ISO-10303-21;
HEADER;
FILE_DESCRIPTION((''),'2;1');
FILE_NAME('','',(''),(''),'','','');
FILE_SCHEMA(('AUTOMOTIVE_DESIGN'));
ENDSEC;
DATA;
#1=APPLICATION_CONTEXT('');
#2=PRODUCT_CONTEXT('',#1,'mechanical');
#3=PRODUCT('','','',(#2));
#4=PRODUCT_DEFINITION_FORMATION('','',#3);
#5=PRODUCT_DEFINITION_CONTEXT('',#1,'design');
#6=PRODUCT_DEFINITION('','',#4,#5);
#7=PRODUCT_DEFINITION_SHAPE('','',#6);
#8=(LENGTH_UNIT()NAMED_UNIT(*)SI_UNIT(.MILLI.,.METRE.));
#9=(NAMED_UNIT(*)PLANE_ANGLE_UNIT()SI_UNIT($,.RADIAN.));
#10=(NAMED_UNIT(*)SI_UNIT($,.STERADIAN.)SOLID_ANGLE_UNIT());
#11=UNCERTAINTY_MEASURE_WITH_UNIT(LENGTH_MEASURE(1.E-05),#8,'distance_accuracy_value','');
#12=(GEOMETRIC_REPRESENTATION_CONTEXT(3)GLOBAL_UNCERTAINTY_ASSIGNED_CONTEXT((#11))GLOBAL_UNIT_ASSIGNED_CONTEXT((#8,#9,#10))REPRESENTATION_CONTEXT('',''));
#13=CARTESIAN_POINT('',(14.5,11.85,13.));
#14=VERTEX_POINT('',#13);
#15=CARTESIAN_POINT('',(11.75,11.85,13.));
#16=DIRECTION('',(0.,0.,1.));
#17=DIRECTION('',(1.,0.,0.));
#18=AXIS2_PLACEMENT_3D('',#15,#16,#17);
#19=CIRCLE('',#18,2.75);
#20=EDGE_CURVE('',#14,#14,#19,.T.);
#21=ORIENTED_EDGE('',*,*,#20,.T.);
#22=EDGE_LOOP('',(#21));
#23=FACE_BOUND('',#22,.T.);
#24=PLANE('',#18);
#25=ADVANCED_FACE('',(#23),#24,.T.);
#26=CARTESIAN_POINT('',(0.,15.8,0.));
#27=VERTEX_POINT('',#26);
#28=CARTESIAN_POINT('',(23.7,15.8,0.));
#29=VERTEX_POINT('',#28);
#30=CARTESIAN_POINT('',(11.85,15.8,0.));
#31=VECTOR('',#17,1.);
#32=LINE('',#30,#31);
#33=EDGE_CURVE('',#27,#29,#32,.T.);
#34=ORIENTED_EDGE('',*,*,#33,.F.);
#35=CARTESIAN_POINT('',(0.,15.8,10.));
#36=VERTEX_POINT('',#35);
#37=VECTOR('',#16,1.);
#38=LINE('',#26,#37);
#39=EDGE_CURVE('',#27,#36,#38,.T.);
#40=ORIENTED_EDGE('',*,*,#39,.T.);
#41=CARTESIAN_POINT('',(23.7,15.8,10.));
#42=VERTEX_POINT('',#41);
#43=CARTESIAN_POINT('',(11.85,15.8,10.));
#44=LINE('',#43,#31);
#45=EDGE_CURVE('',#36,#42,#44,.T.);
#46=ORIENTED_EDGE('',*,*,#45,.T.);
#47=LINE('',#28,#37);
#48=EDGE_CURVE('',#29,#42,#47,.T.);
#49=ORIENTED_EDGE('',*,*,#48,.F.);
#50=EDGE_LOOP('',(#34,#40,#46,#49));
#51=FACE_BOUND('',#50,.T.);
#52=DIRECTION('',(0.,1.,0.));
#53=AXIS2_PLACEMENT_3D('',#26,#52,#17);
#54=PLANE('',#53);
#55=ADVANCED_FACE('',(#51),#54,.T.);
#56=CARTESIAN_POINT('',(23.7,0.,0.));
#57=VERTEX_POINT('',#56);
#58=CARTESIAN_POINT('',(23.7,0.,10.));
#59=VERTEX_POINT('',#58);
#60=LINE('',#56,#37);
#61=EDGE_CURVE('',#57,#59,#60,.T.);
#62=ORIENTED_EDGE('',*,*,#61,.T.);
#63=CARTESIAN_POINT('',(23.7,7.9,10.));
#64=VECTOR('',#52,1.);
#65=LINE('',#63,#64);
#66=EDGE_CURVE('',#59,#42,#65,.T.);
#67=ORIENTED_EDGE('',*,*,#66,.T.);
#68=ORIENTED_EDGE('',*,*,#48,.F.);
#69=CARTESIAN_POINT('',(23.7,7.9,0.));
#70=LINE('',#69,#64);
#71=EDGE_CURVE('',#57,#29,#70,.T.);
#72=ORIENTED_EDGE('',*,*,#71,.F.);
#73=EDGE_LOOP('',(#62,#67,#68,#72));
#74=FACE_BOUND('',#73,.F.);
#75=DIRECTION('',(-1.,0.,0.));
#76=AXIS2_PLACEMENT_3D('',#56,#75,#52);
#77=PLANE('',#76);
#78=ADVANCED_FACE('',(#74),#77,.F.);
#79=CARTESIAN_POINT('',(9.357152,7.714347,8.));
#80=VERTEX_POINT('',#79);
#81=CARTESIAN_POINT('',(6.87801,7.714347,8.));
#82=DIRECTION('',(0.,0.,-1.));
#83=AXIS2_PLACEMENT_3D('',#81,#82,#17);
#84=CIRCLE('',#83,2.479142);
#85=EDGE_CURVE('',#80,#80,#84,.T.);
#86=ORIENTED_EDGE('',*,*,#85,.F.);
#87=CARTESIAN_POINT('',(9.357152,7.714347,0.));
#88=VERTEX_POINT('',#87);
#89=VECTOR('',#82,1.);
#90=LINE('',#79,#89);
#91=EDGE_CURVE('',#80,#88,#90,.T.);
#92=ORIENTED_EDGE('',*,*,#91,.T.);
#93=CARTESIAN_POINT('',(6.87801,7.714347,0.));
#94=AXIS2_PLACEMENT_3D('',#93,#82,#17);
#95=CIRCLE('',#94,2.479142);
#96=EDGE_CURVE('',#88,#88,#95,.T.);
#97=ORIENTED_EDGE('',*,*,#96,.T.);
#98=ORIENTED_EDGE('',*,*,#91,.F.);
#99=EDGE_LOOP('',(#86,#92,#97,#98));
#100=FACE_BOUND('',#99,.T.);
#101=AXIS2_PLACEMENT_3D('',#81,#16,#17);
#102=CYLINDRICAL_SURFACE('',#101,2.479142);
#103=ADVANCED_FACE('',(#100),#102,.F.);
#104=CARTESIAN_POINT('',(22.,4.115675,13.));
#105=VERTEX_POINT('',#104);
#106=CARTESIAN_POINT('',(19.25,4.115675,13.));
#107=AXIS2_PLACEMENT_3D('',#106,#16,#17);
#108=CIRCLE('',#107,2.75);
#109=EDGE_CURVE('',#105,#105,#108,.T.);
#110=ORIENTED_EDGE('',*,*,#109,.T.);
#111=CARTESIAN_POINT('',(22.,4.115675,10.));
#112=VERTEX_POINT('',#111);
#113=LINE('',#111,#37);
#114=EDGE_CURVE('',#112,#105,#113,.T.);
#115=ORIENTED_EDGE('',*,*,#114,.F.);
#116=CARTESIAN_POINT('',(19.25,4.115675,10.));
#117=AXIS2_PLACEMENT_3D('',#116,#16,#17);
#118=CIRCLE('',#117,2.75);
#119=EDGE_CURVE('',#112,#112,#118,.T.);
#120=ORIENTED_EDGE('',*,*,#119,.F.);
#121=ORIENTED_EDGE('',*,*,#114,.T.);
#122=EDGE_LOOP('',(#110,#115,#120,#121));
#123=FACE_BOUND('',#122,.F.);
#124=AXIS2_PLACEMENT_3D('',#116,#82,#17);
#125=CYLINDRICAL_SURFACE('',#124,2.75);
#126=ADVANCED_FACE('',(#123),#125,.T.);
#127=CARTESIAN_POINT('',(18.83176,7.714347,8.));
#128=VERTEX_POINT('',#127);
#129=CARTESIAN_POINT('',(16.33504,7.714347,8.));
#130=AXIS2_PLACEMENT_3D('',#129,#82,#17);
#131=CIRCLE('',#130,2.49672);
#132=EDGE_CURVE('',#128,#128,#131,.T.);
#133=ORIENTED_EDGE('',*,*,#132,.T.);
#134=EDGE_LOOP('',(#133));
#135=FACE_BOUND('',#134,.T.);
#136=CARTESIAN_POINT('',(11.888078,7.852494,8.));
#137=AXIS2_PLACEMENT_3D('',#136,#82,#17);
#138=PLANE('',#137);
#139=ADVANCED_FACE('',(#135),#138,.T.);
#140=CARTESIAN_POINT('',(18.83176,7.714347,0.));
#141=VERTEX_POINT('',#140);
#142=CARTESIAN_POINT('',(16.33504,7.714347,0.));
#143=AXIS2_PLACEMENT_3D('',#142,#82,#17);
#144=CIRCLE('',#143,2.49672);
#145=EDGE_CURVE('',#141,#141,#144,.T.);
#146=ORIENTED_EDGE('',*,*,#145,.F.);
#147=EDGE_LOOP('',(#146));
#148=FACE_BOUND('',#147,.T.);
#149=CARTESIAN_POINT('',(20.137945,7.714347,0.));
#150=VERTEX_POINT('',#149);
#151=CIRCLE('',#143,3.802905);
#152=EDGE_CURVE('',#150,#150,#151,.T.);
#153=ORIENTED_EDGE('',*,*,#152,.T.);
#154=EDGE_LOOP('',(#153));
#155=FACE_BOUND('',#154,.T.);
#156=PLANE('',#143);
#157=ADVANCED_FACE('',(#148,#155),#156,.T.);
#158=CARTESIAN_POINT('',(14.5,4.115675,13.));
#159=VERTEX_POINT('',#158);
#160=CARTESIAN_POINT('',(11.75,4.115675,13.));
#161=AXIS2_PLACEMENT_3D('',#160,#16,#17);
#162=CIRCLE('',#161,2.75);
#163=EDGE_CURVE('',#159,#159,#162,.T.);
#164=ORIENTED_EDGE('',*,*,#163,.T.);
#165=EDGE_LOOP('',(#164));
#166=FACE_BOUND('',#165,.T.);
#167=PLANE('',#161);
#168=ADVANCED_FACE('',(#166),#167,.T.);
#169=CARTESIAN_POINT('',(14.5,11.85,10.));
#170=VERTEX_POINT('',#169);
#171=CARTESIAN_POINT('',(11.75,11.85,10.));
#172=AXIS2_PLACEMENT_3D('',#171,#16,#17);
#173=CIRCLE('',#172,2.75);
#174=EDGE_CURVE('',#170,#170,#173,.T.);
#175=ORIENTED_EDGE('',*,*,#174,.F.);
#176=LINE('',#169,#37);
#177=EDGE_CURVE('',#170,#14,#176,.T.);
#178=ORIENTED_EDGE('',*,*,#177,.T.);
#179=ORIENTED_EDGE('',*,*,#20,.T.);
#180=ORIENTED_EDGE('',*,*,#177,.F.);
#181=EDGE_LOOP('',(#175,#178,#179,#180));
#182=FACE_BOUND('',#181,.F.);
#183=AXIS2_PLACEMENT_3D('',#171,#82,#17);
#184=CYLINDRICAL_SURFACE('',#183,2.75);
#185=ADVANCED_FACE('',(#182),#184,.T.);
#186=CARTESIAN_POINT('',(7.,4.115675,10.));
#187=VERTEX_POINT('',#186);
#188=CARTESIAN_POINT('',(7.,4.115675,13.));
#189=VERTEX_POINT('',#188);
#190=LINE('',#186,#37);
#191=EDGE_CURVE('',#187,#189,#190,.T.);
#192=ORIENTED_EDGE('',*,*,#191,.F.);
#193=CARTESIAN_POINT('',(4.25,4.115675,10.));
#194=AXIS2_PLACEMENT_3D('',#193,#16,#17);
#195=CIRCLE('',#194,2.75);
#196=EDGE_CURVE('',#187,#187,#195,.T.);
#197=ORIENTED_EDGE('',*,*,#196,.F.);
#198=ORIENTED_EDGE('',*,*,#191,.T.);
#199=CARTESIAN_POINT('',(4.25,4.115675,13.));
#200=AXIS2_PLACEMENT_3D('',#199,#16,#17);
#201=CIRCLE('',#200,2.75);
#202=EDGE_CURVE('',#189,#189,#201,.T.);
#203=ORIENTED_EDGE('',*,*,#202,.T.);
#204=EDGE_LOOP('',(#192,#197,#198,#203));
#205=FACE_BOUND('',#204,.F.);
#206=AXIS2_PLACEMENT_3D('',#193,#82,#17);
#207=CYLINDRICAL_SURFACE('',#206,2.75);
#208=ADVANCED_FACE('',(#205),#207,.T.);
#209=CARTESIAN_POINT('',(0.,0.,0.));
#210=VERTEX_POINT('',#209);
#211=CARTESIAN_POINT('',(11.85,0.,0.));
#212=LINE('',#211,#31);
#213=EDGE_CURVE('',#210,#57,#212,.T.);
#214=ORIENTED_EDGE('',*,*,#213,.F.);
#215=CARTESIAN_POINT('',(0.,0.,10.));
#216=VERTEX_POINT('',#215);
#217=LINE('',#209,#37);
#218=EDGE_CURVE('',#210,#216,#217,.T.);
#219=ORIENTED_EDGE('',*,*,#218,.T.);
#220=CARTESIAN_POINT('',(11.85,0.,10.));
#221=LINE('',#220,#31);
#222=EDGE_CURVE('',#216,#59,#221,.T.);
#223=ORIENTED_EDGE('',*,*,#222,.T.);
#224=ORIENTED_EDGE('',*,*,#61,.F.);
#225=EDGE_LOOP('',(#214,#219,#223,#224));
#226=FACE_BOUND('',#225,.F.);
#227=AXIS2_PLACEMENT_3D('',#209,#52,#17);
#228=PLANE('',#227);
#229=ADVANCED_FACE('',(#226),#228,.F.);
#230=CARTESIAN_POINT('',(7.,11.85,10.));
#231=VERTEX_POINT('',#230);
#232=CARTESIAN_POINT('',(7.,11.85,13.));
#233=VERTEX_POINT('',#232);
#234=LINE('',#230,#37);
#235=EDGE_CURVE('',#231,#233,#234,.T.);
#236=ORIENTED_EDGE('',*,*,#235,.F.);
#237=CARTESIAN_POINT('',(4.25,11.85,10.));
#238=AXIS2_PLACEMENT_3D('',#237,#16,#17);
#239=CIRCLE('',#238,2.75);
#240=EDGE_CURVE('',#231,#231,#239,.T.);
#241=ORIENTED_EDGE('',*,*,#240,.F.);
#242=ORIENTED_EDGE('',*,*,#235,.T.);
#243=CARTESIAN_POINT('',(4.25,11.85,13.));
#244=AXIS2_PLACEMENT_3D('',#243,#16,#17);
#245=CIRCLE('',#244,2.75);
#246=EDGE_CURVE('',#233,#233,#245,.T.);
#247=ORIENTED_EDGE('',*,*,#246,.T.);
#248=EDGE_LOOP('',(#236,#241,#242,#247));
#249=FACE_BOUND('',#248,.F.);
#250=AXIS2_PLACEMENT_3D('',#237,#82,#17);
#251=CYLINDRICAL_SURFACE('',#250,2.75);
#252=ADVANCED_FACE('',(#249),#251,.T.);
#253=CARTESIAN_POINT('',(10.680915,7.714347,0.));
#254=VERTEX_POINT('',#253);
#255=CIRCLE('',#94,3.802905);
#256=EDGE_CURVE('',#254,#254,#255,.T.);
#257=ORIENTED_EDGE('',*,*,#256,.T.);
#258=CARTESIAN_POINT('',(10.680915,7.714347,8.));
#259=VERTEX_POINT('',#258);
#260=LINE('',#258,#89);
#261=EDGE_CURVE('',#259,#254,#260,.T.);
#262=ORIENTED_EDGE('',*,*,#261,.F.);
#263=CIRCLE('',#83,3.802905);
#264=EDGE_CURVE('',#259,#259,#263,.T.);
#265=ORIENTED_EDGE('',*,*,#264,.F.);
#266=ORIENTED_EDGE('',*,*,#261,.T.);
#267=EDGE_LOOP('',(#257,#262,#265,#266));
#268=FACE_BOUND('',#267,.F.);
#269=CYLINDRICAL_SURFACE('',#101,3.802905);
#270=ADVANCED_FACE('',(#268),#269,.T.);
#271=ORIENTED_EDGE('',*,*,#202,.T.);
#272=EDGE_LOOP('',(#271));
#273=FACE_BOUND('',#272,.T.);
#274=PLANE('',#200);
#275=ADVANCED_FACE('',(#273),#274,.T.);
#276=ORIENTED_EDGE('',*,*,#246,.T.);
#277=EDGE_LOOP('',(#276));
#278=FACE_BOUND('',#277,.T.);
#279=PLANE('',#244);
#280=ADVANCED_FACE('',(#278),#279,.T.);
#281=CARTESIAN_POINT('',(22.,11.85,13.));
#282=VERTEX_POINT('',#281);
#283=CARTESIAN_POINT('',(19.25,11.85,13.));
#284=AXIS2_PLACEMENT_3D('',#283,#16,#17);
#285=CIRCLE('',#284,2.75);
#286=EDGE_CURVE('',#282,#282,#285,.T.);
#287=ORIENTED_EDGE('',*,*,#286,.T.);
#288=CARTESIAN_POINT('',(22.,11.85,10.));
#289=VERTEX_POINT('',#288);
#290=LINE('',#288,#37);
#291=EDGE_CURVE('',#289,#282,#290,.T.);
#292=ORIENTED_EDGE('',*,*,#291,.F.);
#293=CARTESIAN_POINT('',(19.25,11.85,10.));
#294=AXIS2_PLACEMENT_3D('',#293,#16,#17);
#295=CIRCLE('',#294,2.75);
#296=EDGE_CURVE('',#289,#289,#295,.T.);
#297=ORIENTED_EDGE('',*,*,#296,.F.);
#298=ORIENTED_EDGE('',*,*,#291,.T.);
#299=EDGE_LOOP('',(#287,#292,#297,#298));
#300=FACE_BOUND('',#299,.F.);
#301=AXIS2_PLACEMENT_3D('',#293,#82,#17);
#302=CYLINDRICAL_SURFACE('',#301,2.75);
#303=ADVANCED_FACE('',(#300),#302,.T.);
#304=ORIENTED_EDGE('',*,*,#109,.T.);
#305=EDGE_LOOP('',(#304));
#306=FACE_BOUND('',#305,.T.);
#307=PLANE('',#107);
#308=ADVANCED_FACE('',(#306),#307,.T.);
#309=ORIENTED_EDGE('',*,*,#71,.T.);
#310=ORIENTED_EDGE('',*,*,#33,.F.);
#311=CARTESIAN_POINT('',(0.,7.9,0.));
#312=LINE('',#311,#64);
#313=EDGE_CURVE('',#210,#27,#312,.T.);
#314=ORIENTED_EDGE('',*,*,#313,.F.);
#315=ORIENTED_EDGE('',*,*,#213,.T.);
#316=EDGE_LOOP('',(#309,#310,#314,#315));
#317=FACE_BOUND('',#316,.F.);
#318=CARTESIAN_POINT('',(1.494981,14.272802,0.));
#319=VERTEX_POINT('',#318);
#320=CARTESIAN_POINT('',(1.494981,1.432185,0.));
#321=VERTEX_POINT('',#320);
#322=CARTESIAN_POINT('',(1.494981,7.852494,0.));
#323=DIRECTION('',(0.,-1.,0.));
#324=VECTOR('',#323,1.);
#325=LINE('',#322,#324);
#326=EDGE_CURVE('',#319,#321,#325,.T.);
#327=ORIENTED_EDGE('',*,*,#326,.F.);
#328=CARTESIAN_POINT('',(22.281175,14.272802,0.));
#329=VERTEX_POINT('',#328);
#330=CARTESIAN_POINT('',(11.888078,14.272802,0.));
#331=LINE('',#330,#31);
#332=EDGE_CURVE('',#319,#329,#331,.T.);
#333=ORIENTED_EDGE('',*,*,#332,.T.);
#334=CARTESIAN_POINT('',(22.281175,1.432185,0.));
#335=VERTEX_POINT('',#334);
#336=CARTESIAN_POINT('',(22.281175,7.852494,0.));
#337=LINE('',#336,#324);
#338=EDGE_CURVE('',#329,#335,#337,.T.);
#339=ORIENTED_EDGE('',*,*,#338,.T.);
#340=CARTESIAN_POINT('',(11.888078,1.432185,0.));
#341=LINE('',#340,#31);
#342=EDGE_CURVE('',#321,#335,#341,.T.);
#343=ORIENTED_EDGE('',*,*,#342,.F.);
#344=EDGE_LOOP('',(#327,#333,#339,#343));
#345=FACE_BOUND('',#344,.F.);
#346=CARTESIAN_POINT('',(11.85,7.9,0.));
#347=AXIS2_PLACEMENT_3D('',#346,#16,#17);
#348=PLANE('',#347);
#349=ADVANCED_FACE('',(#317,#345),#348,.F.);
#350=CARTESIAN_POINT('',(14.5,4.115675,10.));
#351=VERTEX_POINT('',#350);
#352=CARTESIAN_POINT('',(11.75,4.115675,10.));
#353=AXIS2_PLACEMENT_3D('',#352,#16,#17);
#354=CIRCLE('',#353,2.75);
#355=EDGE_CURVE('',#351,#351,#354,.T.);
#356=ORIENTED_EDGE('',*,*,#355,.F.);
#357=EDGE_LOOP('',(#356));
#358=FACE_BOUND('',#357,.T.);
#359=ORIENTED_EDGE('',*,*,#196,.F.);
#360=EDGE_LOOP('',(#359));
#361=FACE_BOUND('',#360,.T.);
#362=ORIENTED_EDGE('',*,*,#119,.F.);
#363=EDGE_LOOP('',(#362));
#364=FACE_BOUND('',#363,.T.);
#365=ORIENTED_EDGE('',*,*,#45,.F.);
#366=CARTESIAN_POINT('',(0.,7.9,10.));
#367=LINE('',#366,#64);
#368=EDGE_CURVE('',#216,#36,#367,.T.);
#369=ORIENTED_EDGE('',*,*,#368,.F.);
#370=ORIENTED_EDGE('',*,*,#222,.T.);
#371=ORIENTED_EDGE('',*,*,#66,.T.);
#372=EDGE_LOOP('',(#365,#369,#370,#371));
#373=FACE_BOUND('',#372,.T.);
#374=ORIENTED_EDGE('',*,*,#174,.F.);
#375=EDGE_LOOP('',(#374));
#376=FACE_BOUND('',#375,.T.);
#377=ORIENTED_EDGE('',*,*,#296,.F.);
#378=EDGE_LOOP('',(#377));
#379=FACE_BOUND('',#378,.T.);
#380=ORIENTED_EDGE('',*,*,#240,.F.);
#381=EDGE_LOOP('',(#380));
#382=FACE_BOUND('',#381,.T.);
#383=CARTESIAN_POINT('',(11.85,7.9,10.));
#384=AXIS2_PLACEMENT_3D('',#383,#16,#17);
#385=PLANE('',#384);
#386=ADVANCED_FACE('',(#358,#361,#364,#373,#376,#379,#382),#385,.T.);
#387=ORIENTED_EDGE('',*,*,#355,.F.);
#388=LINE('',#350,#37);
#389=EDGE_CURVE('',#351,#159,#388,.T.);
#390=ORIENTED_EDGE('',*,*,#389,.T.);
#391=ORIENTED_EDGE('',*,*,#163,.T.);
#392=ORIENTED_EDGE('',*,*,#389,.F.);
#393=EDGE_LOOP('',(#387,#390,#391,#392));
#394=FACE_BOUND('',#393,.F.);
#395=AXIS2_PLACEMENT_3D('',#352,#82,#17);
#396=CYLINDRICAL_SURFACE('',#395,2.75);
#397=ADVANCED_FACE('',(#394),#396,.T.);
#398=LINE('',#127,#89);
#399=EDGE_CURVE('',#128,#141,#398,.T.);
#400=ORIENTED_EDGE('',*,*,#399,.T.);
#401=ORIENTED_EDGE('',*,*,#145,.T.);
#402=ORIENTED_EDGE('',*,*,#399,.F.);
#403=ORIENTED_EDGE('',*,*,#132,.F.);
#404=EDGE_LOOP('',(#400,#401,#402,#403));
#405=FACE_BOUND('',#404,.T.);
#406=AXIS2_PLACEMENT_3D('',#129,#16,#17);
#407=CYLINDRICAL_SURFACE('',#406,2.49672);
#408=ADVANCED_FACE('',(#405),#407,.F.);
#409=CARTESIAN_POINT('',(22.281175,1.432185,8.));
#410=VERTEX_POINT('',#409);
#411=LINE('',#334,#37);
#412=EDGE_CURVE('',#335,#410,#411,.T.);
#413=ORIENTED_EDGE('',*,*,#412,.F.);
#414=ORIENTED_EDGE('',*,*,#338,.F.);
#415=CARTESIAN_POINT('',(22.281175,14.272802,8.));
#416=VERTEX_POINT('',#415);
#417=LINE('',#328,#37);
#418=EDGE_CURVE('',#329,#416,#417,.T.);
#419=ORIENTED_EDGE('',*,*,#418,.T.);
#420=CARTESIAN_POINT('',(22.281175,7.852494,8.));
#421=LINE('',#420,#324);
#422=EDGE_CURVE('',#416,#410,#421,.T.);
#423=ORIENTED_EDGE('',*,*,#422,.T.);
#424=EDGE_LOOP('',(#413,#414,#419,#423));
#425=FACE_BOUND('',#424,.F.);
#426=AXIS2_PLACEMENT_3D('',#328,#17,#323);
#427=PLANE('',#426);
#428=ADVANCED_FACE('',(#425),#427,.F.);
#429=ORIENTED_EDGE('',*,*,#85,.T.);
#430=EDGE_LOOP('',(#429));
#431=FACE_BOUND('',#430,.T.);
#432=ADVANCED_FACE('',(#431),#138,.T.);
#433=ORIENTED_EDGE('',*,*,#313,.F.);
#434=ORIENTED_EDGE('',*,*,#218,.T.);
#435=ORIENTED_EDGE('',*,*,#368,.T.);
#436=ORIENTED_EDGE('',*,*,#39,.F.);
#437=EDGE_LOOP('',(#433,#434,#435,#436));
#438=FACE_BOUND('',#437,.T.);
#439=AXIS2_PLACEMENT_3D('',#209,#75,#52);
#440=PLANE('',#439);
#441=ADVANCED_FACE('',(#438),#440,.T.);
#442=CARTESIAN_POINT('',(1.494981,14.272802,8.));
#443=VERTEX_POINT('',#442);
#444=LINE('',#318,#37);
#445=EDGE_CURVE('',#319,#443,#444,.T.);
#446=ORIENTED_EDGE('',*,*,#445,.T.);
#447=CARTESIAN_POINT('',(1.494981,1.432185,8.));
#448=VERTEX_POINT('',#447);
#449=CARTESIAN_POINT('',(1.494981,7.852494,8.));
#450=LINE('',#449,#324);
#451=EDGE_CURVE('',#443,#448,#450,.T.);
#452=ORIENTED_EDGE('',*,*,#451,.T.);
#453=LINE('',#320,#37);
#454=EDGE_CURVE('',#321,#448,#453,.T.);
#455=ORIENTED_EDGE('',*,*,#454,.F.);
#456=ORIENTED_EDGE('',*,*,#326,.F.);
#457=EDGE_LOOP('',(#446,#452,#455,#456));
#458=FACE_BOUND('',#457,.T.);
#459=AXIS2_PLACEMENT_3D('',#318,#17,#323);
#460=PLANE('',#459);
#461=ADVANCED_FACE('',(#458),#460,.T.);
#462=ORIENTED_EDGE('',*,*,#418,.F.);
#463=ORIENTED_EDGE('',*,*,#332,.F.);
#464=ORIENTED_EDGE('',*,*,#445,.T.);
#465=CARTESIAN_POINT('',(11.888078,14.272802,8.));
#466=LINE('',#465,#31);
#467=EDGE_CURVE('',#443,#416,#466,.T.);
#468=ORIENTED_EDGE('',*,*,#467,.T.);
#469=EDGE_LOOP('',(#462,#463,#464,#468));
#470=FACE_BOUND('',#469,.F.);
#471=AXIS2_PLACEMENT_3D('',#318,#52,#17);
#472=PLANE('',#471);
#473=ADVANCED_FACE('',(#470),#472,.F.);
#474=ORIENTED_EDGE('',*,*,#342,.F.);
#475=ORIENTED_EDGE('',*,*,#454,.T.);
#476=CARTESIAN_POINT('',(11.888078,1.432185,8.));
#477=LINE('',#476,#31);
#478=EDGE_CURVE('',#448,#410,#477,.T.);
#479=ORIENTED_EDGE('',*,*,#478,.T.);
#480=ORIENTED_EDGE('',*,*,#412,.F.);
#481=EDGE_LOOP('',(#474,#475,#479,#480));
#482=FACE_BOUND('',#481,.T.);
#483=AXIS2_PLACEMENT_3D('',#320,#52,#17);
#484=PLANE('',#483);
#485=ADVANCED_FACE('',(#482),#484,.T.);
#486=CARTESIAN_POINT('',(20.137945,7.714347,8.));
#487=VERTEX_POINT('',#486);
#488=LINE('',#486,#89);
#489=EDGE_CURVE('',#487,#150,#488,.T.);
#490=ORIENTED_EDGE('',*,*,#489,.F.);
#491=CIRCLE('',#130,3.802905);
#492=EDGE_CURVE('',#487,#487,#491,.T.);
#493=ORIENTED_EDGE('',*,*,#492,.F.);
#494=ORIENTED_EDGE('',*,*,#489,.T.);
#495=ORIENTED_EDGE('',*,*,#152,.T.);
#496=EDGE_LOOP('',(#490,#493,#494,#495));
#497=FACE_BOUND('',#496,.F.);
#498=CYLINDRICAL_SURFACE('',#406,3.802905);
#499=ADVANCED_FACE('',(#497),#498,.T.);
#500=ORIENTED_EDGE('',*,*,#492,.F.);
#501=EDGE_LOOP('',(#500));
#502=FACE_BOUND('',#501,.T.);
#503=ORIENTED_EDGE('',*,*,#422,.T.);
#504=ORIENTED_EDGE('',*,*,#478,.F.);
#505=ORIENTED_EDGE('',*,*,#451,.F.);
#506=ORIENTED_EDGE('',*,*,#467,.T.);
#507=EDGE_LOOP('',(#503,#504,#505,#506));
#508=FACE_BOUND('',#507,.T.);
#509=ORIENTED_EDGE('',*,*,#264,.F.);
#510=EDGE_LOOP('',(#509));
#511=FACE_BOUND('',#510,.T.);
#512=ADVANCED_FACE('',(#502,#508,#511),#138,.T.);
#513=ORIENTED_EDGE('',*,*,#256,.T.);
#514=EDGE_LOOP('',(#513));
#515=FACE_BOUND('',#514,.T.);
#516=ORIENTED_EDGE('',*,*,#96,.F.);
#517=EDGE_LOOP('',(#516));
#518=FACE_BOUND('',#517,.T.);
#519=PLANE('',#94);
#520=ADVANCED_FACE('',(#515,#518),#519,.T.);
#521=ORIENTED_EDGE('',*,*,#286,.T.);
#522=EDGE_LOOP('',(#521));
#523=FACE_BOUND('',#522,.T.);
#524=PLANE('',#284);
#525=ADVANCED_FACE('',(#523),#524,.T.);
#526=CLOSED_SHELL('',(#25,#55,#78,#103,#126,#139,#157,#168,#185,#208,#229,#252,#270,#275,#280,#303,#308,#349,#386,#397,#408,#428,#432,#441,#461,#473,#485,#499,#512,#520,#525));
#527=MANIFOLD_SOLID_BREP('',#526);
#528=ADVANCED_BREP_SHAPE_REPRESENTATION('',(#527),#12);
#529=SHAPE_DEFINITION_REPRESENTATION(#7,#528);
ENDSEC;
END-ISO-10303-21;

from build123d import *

# Parameters (mm, degrees)
F0_W     = 23.7
F0_H     = 15.8
F1_DEPTH = 10
F2_R     = 2.75
F3_DEPTH = 3
F4_W     = 20.786194
F4_H     = 12.840617
F5_DEPTH = 8
F6_R     = 3.802905
F6_R_2   = 2.49672
F6_R_3   = 2.479142
F7_DEPTH = 8


with BuildPart() as f1:
    # F0 (on Top) → F1 (new body)
    with BuildSketch(Plane.XY):
        with Locations((11.85, 7.9)):
            Rectangle(F0_W, F0_H)
    extrude(amount=F1_DEPTH)

    # F2 (on face) → F3 (join)
    with BuildSketch(Plane.XY.offset(10)):
        with Locations((4.25, 11.85)):
            Circle(F2_R)
        with Locations((11.75, 11.85)):
            Circle(F2_R)
        with Locations((19.25, 11.85)):
            Circle(F2_R)
        with Locations((4.25, 4.115675)):
            Circle(F2_R)
        with Locations((11.75, 4.115675)):
            Circle(F2_R)
        with Locations((19.25, 4.115675)):
            Circle(F2_R)
    extrude(amount=F3_DEPTH)

    # F4 (on face) → F5 (cut)
    with BuildSketch(Plane(origin=(0, 0, 0), x_dir=(1, 0, 0), z_dir=(0, 0, -1))):
        with Locations((11.888078, -7.852494)):
            Rectangle(F4_W, F4_H)
    extrude(amount=-F5_DEPTH, mode=Mode.SUBTRACT)

    # F6 (on face) → F7 (join)
    with BuildSketch(Plane(origin=(0, 0, 8), x_dir=(1, 0, 0), z_dir=(0, 0, -1))):
        with Locations((16.33504, -7.714347)):
            Circle(F6_R)
        with Locations((16.33504, -7.714347)):
            Circle(F6_R_2, mode=Mode.SUBTRACT)
        with Locations((6.87801, -7.714347)):
            Circle(F6_R)
        with Locations((6.87801, -7.714347)):
            Circle(F6_R_3, mode=Mode.SUBTRACT)
    extrude(amount=F7_DEPTH)


solid = f1.part
